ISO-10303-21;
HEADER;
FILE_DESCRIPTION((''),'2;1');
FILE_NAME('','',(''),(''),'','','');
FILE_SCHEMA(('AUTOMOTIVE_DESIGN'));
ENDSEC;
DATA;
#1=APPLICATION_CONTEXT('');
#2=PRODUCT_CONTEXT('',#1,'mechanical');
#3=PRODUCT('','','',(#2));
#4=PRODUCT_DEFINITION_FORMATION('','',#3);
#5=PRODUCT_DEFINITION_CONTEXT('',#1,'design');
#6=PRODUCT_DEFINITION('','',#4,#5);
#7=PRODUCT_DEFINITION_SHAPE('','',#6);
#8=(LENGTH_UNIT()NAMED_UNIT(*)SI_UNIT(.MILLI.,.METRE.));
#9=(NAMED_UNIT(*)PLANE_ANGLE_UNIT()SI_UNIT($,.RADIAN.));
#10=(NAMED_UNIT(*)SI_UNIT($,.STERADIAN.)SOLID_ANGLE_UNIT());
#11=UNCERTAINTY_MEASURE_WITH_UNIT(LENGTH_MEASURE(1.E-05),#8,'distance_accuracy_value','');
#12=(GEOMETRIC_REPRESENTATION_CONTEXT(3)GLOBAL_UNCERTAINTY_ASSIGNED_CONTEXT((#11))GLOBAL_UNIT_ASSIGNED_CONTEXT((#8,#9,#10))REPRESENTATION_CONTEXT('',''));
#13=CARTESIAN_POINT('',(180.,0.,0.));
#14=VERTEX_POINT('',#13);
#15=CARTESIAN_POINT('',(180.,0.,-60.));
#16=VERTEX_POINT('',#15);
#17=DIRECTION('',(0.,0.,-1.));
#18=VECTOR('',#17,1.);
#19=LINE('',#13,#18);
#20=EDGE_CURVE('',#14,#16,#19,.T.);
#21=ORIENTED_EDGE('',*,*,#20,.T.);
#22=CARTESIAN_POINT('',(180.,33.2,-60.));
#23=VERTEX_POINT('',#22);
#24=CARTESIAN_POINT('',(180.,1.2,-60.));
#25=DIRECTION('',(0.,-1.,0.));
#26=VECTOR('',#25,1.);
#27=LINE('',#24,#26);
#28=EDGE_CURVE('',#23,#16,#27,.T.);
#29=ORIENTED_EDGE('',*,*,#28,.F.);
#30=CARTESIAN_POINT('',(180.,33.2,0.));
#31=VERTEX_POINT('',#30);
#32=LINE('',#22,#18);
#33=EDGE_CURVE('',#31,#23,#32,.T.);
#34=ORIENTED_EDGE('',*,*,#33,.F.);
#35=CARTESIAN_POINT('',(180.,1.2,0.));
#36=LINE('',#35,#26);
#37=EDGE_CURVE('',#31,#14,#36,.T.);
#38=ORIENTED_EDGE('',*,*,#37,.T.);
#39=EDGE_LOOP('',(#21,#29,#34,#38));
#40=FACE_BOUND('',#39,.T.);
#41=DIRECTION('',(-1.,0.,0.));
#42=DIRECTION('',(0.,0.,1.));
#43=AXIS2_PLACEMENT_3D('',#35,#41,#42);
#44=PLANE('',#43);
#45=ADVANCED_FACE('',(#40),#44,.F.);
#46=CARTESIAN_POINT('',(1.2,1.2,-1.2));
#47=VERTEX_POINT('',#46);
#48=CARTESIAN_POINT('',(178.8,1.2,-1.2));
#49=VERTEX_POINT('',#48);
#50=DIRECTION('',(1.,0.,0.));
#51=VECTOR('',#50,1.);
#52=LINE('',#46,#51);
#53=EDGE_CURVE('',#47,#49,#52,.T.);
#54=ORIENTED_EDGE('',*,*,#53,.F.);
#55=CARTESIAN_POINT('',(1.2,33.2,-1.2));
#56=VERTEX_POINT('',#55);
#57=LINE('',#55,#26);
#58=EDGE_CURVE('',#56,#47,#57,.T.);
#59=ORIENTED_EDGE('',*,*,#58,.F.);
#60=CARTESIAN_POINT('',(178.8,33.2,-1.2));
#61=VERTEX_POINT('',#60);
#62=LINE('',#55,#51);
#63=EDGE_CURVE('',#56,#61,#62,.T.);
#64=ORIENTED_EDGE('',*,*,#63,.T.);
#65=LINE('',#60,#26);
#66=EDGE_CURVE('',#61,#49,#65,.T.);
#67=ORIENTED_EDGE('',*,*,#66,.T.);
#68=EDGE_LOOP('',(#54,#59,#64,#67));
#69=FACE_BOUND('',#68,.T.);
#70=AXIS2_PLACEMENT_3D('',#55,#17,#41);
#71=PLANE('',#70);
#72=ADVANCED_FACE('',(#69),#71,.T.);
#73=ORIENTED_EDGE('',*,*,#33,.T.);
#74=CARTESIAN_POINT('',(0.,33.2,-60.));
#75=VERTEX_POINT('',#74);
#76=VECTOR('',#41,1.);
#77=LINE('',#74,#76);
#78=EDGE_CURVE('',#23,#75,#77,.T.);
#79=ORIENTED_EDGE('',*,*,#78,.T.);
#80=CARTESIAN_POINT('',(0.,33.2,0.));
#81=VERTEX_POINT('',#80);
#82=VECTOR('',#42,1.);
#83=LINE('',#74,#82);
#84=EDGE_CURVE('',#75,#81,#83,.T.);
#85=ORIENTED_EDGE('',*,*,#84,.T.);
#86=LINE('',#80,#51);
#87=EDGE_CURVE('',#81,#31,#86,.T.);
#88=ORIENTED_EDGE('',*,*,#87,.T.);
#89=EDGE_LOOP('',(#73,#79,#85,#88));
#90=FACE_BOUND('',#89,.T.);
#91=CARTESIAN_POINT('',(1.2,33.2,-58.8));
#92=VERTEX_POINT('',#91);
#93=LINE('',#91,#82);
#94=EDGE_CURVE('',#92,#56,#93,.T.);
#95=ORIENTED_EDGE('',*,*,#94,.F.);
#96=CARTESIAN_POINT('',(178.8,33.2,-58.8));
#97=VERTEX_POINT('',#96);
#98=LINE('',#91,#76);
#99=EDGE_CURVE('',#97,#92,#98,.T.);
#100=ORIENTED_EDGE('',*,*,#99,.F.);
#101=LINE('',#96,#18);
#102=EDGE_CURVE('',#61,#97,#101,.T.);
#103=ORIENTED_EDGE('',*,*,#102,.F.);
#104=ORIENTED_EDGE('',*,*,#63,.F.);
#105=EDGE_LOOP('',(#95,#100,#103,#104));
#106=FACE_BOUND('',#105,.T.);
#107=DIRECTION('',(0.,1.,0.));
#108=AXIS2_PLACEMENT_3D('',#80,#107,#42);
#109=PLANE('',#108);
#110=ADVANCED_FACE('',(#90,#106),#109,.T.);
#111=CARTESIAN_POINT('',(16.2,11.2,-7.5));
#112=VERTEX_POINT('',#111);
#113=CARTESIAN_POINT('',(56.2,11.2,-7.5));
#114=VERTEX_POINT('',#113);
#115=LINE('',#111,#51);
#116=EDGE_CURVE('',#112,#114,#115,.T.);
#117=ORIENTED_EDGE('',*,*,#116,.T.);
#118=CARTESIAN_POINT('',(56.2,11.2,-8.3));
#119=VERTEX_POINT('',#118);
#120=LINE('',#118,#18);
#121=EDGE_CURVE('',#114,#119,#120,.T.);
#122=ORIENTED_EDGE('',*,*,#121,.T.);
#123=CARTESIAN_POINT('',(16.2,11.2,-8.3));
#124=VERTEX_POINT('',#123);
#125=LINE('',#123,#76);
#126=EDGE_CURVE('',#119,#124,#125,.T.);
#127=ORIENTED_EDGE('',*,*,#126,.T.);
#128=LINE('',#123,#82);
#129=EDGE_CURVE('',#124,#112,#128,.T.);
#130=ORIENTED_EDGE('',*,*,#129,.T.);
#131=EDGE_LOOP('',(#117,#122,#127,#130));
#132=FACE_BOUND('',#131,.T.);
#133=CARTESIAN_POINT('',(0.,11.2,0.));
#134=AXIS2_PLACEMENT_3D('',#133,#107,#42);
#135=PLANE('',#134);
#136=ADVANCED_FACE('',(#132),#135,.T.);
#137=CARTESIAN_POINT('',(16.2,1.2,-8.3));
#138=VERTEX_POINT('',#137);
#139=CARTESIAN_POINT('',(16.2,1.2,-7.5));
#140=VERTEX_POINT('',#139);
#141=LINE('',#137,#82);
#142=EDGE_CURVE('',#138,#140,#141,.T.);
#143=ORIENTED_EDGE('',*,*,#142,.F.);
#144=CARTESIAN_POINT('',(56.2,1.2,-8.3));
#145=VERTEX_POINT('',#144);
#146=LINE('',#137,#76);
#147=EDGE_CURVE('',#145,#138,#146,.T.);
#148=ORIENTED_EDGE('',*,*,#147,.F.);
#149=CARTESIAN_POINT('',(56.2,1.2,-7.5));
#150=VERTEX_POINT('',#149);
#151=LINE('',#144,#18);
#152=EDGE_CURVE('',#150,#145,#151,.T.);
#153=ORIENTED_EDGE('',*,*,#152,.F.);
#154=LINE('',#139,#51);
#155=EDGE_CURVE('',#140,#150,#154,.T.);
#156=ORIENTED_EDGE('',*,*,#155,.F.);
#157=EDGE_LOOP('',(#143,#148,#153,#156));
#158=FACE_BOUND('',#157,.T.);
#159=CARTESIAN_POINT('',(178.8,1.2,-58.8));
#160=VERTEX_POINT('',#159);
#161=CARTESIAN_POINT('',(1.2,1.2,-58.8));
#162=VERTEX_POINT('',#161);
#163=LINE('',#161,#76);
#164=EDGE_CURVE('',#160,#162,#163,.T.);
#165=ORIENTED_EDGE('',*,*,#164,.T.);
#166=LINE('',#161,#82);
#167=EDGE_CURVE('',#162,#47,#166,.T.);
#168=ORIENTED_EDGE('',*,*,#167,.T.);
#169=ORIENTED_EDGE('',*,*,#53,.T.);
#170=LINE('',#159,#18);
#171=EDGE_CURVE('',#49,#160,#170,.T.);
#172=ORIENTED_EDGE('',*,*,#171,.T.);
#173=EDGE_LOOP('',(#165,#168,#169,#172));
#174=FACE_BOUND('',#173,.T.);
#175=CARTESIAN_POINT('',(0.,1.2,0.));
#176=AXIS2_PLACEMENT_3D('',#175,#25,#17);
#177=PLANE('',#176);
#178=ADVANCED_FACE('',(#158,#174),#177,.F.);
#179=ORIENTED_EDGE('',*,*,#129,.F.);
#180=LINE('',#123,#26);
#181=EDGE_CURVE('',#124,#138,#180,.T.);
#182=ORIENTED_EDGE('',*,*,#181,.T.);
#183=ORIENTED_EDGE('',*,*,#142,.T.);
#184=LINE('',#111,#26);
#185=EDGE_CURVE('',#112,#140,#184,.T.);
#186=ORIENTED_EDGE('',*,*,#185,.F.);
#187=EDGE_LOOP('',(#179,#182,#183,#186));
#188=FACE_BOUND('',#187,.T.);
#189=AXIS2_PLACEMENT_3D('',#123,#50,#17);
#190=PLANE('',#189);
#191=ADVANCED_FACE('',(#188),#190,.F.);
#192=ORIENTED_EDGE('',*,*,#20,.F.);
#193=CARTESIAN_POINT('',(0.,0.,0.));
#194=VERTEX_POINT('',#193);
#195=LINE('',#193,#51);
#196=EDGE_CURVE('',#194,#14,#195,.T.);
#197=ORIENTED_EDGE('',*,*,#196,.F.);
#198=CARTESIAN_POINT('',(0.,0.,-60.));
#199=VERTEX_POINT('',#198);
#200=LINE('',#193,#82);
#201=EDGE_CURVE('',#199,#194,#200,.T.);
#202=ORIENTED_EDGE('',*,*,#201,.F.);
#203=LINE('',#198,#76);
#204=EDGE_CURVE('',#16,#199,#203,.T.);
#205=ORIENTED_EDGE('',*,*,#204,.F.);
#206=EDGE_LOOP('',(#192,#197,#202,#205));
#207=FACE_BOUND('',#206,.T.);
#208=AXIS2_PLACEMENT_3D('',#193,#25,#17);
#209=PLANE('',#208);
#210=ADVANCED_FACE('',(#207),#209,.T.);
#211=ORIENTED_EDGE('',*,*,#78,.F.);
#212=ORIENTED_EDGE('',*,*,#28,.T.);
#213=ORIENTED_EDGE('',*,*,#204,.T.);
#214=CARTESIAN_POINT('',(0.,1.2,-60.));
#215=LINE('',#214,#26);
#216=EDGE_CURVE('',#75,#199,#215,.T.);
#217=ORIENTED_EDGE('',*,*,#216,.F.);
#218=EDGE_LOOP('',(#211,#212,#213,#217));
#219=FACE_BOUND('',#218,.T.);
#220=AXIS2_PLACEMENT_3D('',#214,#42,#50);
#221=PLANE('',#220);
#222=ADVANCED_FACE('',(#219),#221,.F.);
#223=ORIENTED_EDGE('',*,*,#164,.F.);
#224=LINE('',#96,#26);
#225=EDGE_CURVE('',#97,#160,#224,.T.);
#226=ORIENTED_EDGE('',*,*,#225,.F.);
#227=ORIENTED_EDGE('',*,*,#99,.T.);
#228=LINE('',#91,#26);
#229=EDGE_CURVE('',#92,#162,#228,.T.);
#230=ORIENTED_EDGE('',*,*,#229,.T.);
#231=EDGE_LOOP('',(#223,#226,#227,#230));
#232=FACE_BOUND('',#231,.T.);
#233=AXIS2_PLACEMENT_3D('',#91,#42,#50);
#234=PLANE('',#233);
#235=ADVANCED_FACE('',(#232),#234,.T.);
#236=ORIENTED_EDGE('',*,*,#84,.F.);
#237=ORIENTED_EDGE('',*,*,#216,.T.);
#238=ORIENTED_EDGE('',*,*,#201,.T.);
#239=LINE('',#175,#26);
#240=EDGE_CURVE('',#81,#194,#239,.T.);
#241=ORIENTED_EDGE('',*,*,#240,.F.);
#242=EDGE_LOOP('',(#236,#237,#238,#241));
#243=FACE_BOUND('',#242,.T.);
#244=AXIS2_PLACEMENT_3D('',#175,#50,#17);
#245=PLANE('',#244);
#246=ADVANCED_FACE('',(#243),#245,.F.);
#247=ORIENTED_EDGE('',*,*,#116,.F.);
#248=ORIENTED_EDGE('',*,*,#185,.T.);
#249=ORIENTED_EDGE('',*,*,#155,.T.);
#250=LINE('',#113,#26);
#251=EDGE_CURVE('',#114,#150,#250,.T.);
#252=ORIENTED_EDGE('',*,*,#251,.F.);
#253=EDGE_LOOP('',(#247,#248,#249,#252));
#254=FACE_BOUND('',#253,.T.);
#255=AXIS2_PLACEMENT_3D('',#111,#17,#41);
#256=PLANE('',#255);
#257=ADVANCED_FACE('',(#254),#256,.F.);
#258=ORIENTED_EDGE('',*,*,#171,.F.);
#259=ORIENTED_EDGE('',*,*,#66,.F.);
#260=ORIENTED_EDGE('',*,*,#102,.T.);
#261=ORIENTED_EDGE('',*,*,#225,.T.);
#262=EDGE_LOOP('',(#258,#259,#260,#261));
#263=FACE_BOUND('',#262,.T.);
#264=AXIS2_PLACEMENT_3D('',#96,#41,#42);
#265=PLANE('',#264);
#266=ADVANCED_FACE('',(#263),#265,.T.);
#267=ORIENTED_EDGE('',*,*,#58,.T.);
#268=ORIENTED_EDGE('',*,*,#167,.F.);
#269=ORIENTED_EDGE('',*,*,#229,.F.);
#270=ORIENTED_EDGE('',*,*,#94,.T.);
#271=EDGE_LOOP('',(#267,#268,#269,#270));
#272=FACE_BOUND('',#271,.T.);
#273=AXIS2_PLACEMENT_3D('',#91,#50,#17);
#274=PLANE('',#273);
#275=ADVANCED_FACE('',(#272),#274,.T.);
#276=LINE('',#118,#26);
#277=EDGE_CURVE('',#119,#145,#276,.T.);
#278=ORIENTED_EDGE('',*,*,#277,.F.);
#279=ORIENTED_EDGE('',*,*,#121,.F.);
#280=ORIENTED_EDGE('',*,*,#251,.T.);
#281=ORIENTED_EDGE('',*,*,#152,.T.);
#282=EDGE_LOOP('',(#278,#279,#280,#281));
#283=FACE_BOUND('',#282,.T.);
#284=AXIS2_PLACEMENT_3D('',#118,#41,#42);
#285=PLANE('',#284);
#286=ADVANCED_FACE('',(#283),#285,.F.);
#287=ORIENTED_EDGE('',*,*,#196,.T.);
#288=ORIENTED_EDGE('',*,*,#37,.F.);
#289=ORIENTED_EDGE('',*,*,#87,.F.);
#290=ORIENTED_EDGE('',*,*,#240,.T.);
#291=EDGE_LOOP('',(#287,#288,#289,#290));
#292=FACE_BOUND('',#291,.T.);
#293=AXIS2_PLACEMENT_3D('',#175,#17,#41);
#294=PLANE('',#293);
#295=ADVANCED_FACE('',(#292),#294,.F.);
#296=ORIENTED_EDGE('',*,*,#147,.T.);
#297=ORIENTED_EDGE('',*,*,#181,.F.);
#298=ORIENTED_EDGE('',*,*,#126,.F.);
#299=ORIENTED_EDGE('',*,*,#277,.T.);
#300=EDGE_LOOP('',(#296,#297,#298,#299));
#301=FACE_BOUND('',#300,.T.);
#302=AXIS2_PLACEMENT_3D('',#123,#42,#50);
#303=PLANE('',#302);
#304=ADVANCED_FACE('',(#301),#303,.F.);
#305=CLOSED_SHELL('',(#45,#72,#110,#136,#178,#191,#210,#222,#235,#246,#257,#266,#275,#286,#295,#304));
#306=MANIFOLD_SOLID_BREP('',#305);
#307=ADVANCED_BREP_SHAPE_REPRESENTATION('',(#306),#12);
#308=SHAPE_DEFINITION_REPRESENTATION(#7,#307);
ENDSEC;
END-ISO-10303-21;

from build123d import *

# Parameters (mm, degrees)
SKETCH1_W           = 180
SKETCH1_H           = 60
BOSS_EXTRUDE1_DEPTH = 1.2
SKETCH3_W           = 180
SKETCH3_H           = 60
SKETCH3_W_2         = 177.6
SKETCH3_H_2         = 57.6
BOSS_EXTRUDE2_DEPTH = 32
SKETCH4_W           = 40
SKETCH4_H           = 0.8
BOSS_EXTRUDE3_DEPTH = 10


with BuildPart() as part:
    # Sketch1 → Boss-Extrude1 (new body)
    with BuildSketch(Plane(origin=(0, 0, 0), x_dir=(1, 0, 0), z_dir=(0, 1, 0))):
        with Locations((90, 30)):
            Rectangle(SKETCH1_W, SKETCH1_H)
    extrude(amount=BOSS_EXTRUDE1_DEPTH)

    # Sketch3 → Boss-Extrude2 (add)
    with BuildSketch(Plane(origin=(0, 1.2, 0), x_dir=(1, 0, 0), z_dir=(0, 1, 0))):
        with Locations((90, 30)):
            Rectangle(SKETCH3_W, SKETCH3_H)
        with Locations((90, 30)):
            Rectangle(SKETCH3_W_2, SKETCH3_H_2, mode=Mode.SUBTRACT)
    extrude(amount=BOSS_EXTRUDE2_DEPTH)

    # Sketch4 → Boss-Extrude3 (add)
    with BuildSketch(Plane(origin=(0, 1.2, 0), x_dir=(1, 0, 0), z_dir=(0, 1, 0))):
        with Locations((36.2, 7.9)):
            Rectangle(SKETCH4_W, SKETCH4_H)
    extrude(amount=BOSS_EXTRUDE3_DEPTH)


solid = part.part
